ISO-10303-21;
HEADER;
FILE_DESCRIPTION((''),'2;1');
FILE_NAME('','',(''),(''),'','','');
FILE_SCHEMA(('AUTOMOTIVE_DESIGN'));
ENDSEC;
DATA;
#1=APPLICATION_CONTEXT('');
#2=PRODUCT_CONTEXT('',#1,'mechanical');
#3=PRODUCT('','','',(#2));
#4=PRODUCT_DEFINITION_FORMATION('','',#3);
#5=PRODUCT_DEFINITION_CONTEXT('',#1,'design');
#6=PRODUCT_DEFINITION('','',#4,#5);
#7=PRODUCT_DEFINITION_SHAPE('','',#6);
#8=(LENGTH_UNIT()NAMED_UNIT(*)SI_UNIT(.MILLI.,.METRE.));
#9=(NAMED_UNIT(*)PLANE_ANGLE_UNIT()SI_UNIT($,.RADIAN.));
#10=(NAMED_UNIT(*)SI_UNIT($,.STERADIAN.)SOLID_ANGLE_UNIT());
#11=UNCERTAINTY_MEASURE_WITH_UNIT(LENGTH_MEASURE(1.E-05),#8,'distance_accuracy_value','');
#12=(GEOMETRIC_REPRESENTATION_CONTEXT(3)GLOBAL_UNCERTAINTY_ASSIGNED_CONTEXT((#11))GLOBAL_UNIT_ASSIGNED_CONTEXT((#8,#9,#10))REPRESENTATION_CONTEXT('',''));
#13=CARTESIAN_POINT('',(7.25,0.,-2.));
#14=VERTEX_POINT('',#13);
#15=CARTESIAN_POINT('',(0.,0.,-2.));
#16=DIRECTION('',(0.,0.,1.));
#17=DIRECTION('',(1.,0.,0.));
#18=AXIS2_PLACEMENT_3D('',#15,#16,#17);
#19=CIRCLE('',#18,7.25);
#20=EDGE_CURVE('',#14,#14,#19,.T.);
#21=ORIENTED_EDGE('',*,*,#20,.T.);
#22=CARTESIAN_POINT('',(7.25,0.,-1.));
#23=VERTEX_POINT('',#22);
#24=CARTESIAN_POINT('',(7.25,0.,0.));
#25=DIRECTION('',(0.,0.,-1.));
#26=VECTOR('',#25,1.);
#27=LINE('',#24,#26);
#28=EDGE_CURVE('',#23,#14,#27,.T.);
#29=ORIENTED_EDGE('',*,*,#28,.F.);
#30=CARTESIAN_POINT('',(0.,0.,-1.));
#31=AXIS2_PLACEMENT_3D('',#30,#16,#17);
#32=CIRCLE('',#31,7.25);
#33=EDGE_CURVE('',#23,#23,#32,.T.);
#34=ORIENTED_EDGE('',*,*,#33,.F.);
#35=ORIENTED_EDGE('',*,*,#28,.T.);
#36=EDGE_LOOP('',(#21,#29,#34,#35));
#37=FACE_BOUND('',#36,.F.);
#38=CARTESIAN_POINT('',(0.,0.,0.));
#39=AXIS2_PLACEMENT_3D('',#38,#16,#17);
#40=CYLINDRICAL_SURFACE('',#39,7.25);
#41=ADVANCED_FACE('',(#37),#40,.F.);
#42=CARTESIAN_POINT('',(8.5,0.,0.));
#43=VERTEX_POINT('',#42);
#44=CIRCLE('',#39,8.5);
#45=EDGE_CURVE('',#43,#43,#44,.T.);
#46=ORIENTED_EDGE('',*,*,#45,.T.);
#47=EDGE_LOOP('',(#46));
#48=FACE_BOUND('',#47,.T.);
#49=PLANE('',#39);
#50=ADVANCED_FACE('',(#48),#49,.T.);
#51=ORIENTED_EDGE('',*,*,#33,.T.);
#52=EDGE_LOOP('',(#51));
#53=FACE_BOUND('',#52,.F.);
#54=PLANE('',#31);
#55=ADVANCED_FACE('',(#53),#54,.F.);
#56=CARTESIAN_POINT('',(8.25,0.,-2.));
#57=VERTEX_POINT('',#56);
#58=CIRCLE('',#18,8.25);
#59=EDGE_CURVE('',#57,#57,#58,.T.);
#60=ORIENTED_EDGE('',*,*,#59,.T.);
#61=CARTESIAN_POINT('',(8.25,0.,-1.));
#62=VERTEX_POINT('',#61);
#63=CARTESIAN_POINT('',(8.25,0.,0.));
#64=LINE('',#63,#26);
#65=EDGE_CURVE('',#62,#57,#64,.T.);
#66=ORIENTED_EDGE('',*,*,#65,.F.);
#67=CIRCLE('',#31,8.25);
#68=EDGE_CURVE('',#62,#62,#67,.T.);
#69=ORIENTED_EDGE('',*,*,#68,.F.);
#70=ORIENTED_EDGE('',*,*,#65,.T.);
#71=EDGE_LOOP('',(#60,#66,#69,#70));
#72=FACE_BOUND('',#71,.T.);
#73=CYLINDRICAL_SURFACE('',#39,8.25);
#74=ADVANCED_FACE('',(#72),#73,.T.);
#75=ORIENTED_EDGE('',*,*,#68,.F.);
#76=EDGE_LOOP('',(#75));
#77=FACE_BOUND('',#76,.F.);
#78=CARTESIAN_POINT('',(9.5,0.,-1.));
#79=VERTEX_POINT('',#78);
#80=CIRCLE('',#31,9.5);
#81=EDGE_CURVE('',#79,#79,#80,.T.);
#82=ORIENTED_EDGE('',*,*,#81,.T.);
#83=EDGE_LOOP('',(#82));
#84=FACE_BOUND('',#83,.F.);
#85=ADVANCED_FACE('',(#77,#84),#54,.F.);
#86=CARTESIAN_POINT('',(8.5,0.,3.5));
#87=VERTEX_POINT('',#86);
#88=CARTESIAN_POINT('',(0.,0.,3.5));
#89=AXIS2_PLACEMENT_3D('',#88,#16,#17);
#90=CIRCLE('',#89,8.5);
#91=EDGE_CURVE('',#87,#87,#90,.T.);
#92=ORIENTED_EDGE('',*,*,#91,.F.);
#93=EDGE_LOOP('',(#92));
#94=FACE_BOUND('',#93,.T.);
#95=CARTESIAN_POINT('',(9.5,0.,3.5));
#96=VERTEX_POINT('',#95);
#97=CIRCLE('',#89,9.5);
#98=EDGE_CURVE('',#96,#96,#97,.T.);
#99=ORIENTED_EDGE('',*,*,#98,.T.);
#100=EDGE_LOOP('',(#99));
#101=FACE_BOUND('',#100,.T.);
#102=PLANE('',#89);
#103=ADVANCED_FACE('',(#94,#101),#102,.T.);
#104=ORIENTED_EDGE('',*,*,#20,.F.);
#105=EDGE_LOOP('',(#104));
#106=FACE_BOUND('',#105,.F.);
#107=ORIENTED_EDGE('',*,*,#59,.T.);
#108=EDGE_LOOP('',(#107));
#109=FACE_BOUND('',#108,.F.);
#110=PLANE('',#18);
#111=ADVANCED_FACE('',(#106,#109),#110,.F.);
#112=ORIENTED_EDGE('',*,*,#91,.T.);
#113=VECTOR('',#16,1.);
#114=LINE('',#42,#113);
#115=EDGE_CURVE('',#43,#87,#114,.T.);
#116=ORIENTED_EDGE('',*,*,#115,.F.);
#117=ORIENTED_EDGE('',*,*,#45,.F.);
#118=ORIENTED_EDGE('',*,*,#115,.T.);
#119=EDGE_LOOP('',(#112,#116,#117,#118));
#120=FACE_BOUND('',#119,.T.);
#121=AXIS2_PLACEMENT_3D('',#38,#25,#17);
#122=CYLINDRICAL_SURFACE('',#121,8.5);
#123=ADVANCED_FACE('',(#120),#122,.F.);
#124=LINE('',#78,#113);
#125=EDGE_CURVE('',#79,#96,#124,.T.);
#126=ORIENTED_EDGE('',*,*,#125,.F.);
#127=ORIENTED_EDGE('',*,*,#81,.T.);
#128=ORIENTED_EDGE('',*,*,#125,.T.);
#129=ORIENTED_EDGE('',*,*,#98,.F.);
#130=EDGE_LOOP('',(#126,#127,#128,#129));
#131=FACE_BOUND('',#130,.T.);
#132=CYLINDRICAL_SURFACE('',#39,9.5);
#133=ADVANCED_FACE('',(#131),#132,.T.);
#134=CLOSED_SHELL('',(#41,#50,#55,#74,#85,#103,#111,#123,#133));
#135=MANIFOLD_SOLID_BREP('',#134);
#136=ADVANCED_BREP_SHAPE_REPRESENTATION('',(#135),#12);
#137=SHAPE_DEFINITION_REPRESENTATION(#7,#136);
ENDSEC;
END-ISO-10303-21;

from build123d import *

# Parameters (mm, degrees)
F0_R     = 9.5
F0_R_2   = 8.5
F1_DEPTH = 3.5
F0_R_3   = 8.25
F0_R_4   = 7.25
F2_DEPTH = 1
F3_DEPTH = 2


with BuildPart() as f1:
    # F0 (on Top) → F1 (new body)
    with BuildSketch(Plane.XY):
        Circle(F0_R)
        Circle(F0_R_2, mode=Mode.SUBTRACT)
    extrude(amount=F1_DEPTH)

    # F0 (on Top) → F2 (join)
    with BuildSketch(Plane.XY):
        Circle(F0_R)
        Circle(F0_R_2, mode=Mode.SUBTRACT)
        Circle(F0_R_2)
        Circle(F0_R_3, mode=Mode.SUBTRACT)
        Circle(F0_R_3)
        Circle(F0_R_4, mode=Mode.SUBTRACT)
        Circle(F0_R_4)
    extrude(amount=-F2_DEPTH)

    # F0 (on Top) → F3 (join)
    with BuildSketch(Plane.XY):
        Circle(F0_R_3)
        Circle(F0_R_4, mode=Mode.SUBTRACT)
    extrude(amount=-F3_DEPTH)


solid = f1.part
